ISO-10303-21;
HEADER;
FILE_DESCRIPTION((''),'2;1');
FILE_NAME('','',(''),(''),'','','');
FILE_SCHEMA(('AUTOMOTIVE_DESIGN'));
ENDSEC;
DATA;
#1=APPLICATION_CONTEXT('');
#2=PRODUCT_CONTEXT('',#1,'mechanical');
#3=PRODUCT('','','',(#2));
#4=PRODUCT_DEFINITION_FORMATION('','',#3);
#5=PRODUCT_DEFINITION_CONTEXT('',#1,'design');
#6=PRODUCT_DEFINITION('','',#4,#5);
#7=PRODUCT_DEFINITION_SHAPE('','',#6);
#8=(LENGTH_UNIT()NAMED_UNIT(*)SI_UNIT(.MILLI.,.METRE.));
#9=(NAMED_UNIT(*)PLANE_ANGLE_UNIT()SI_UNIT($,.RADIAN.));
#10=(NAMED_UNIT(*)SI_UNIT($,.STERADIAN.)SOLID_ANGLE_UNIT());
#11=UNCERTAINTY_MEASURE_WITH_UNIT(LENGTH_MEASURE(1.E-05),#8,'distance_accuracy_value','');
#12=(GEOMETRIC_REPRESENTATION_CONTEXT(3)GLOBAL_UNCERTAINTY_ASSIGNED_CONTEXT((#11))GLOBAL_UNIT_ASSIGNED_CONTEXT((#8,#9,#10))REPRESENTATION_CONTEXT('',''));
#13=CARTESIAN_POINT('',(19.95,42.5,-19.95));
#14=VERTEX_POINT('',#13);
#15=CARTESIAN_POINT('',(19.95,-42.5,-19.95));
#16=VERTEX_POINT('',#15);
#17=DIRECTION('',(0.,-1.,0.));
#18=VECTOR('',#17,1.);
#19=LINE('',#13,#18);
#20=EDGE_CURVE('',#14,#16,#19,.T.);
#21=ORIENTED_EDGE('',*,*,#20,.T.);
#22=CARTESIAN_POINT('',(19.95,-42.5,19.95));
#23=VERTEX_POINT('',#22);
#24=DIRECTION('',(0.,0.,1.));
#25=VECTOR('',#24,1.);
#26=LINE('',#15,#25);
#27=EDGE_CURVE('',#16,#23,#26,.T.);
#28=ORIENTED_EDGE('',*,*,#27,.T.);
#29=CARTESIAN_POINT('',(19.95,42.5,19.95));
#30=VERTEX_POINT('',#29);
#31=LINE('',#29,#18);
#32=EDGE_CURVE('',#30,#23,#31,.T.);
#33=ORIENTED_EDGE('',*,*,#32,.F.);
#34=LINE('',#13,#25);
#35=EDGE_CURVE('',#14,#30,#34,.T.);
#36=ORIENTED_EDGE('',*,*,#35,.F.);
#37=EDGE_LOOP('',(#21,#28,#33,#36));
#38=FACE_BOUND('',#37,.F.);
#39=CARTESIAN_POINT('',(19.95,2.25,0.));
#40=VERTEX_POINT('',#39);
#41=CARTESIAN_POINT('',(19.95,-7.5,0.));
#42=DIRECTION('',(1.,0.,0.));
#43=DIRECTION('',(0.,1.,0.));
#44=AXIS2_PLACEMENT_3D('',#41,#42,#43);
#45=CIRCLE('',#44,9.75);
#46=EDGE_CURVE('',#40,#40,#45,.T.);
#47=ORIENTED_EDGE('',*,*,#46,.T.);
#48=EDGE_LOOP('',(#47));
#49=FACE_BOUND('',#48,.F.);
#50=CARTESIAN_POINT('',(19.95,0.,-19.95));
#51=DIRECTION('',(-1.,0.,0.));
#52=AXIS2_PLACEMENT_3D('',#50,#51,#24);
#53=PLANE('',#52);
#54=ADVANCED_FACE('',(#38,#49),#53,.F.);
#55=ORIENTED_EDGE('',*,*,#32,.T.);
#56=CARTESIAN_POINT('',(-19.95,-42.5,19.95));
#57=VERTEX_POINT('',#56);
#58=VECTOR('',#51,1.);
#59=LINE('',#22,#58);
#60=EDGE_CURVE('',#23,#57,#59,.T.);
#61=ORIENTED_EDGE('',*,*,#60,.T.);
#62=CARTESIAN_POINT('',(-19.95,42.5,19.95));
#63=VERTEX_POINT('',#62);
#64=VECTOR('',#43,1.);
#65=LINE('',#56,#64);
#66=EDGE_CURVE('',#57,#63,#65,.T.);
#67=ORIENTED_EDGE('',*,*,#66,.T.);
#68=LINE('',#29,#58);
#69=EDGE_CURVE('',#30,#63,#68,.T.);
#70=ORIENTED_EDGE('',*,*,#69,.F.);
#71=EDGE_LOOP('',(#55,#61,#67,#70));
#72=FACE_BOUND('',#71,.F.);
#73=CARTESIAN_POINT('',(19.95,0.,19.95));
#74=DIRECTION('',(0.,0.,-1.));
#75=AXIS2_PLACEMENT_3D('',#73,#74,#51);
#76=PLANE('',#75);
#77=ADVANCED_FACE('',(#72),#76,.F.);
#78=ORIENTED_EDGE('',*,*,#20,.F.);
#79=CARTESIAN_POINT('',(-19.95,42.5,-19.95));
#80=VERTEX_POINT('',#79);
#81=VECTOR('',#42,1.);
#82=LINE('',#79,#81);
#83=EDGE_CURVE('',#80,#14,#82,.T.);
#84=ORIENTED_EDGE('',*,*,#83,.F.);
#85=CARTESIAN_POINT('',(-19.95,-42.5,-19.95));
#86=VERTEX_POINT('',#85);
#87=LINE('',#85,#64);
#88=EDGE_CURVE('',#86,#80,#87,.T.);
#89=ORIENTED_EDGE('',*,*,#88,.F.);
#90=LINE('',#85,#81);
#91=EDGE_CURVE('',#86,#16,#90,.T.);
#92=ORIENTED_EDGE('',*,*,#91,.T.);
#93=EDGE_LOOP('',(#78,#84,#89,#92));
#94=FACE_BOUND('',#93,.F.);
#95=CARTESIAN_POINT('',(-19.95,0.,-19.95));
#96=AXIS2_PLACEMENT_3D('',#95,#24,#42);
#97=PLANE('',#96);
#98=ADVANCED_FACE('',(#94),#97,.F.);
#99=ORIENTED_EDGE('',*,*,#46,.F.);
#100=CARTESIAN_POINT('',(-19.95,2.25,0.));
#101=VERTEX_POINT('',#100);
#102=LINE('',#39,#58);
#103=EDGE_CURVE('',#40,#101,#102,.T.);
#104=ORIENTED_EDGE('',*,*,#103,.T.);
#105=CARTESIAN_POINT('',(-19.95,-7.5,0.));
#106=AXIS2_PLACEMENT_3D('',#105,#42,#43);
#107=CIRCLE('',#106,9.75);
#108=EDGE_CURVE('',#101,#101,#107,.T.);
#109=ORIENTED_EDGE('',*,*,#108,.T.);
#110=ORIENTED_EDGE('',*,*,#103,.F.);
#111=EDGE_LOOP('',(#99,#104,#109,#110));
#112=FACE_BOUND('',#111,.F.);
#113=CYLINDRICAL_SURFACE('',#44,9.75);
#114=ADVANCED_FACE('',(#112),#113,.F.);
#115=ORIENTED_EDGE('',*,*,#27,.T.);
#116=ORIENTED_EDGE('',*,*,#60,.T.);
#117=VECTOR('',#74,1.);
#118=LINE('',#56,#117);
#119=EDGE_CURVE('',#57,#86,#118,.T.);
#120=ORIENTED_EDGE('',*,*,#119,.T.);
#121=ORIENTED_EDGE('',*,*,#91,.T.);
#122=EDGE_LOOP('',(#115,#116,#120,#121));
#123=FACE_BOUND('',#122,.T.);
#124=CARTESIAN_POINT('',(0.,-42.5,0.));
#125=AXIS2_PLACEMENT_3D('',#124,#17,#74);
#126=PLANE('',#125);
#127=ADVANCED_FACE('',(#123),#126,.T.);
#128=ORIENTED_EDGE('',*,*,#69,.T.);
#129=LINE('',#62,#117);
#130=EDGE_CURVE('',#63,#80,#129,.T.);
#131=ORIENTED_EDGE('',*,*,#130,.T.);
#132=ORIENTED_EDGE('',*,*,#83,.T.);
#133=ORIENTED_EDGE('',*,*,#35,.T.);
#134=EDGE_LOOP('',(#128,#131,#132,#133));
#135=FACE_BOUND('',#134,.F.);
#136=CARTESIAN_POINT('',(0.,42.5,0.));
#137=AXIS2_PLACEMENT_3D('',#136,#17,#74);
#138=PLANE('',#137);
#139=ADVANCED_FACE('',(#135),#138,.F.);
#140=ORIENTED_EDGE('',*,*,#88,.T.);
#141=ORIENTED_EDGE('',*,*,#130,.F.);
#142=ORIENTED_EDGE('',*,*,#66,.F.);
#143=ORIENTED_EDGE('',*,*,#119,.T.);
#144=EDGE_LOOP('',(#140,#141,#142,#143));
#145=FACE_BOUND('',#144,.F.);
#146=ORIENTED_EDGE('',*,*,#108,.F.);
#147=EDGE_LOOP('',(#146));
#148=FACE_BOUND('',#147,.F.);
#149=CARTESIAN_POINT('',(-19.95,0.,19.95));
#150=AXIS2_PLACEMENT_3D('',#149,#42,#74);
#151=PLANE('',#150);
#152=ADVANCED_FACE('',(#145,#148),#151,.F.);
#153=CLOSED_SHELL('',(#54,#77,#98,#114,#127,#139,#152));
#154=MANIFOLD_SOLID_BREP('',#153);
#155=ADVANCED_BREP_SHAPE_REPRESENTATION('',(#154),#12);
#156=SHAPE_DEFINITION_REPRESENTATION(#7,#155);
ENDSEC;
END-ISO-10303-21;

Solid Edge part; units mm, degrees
sketch "Sketch1" plane through (0, 0, 0) normal (0, -1, 0) x (1, 0, 0)
  line L0 (-19.95, -19.95) -> (19.95, -19.95)
  line L1 (19.95, -19.95) -> (19.95, 19.95)
  line L2 (19.95, 19.95) -> (-19.95, 19.95)
  line L3 (-19.95, 19.95) -> (-19.95, -19.95)
  dimension "D1" = 39.9
  dimension "D2" = 39.9
extrude "Protrusion1" add sketch "Sketch1" along normal mid plane 85
sketch "Sketch2" plane through (19.95, 0, 0) normal (1, 0, 0) x (0, 1, 0)
  circle A0 centre (-7.5, 0) radius 9.75
  dimension "D1" = 19.5
  dimension "D2" = 35
extrude "Ausschnitt_1" cut sketch "Sketch2" against normal blind 60.2454
